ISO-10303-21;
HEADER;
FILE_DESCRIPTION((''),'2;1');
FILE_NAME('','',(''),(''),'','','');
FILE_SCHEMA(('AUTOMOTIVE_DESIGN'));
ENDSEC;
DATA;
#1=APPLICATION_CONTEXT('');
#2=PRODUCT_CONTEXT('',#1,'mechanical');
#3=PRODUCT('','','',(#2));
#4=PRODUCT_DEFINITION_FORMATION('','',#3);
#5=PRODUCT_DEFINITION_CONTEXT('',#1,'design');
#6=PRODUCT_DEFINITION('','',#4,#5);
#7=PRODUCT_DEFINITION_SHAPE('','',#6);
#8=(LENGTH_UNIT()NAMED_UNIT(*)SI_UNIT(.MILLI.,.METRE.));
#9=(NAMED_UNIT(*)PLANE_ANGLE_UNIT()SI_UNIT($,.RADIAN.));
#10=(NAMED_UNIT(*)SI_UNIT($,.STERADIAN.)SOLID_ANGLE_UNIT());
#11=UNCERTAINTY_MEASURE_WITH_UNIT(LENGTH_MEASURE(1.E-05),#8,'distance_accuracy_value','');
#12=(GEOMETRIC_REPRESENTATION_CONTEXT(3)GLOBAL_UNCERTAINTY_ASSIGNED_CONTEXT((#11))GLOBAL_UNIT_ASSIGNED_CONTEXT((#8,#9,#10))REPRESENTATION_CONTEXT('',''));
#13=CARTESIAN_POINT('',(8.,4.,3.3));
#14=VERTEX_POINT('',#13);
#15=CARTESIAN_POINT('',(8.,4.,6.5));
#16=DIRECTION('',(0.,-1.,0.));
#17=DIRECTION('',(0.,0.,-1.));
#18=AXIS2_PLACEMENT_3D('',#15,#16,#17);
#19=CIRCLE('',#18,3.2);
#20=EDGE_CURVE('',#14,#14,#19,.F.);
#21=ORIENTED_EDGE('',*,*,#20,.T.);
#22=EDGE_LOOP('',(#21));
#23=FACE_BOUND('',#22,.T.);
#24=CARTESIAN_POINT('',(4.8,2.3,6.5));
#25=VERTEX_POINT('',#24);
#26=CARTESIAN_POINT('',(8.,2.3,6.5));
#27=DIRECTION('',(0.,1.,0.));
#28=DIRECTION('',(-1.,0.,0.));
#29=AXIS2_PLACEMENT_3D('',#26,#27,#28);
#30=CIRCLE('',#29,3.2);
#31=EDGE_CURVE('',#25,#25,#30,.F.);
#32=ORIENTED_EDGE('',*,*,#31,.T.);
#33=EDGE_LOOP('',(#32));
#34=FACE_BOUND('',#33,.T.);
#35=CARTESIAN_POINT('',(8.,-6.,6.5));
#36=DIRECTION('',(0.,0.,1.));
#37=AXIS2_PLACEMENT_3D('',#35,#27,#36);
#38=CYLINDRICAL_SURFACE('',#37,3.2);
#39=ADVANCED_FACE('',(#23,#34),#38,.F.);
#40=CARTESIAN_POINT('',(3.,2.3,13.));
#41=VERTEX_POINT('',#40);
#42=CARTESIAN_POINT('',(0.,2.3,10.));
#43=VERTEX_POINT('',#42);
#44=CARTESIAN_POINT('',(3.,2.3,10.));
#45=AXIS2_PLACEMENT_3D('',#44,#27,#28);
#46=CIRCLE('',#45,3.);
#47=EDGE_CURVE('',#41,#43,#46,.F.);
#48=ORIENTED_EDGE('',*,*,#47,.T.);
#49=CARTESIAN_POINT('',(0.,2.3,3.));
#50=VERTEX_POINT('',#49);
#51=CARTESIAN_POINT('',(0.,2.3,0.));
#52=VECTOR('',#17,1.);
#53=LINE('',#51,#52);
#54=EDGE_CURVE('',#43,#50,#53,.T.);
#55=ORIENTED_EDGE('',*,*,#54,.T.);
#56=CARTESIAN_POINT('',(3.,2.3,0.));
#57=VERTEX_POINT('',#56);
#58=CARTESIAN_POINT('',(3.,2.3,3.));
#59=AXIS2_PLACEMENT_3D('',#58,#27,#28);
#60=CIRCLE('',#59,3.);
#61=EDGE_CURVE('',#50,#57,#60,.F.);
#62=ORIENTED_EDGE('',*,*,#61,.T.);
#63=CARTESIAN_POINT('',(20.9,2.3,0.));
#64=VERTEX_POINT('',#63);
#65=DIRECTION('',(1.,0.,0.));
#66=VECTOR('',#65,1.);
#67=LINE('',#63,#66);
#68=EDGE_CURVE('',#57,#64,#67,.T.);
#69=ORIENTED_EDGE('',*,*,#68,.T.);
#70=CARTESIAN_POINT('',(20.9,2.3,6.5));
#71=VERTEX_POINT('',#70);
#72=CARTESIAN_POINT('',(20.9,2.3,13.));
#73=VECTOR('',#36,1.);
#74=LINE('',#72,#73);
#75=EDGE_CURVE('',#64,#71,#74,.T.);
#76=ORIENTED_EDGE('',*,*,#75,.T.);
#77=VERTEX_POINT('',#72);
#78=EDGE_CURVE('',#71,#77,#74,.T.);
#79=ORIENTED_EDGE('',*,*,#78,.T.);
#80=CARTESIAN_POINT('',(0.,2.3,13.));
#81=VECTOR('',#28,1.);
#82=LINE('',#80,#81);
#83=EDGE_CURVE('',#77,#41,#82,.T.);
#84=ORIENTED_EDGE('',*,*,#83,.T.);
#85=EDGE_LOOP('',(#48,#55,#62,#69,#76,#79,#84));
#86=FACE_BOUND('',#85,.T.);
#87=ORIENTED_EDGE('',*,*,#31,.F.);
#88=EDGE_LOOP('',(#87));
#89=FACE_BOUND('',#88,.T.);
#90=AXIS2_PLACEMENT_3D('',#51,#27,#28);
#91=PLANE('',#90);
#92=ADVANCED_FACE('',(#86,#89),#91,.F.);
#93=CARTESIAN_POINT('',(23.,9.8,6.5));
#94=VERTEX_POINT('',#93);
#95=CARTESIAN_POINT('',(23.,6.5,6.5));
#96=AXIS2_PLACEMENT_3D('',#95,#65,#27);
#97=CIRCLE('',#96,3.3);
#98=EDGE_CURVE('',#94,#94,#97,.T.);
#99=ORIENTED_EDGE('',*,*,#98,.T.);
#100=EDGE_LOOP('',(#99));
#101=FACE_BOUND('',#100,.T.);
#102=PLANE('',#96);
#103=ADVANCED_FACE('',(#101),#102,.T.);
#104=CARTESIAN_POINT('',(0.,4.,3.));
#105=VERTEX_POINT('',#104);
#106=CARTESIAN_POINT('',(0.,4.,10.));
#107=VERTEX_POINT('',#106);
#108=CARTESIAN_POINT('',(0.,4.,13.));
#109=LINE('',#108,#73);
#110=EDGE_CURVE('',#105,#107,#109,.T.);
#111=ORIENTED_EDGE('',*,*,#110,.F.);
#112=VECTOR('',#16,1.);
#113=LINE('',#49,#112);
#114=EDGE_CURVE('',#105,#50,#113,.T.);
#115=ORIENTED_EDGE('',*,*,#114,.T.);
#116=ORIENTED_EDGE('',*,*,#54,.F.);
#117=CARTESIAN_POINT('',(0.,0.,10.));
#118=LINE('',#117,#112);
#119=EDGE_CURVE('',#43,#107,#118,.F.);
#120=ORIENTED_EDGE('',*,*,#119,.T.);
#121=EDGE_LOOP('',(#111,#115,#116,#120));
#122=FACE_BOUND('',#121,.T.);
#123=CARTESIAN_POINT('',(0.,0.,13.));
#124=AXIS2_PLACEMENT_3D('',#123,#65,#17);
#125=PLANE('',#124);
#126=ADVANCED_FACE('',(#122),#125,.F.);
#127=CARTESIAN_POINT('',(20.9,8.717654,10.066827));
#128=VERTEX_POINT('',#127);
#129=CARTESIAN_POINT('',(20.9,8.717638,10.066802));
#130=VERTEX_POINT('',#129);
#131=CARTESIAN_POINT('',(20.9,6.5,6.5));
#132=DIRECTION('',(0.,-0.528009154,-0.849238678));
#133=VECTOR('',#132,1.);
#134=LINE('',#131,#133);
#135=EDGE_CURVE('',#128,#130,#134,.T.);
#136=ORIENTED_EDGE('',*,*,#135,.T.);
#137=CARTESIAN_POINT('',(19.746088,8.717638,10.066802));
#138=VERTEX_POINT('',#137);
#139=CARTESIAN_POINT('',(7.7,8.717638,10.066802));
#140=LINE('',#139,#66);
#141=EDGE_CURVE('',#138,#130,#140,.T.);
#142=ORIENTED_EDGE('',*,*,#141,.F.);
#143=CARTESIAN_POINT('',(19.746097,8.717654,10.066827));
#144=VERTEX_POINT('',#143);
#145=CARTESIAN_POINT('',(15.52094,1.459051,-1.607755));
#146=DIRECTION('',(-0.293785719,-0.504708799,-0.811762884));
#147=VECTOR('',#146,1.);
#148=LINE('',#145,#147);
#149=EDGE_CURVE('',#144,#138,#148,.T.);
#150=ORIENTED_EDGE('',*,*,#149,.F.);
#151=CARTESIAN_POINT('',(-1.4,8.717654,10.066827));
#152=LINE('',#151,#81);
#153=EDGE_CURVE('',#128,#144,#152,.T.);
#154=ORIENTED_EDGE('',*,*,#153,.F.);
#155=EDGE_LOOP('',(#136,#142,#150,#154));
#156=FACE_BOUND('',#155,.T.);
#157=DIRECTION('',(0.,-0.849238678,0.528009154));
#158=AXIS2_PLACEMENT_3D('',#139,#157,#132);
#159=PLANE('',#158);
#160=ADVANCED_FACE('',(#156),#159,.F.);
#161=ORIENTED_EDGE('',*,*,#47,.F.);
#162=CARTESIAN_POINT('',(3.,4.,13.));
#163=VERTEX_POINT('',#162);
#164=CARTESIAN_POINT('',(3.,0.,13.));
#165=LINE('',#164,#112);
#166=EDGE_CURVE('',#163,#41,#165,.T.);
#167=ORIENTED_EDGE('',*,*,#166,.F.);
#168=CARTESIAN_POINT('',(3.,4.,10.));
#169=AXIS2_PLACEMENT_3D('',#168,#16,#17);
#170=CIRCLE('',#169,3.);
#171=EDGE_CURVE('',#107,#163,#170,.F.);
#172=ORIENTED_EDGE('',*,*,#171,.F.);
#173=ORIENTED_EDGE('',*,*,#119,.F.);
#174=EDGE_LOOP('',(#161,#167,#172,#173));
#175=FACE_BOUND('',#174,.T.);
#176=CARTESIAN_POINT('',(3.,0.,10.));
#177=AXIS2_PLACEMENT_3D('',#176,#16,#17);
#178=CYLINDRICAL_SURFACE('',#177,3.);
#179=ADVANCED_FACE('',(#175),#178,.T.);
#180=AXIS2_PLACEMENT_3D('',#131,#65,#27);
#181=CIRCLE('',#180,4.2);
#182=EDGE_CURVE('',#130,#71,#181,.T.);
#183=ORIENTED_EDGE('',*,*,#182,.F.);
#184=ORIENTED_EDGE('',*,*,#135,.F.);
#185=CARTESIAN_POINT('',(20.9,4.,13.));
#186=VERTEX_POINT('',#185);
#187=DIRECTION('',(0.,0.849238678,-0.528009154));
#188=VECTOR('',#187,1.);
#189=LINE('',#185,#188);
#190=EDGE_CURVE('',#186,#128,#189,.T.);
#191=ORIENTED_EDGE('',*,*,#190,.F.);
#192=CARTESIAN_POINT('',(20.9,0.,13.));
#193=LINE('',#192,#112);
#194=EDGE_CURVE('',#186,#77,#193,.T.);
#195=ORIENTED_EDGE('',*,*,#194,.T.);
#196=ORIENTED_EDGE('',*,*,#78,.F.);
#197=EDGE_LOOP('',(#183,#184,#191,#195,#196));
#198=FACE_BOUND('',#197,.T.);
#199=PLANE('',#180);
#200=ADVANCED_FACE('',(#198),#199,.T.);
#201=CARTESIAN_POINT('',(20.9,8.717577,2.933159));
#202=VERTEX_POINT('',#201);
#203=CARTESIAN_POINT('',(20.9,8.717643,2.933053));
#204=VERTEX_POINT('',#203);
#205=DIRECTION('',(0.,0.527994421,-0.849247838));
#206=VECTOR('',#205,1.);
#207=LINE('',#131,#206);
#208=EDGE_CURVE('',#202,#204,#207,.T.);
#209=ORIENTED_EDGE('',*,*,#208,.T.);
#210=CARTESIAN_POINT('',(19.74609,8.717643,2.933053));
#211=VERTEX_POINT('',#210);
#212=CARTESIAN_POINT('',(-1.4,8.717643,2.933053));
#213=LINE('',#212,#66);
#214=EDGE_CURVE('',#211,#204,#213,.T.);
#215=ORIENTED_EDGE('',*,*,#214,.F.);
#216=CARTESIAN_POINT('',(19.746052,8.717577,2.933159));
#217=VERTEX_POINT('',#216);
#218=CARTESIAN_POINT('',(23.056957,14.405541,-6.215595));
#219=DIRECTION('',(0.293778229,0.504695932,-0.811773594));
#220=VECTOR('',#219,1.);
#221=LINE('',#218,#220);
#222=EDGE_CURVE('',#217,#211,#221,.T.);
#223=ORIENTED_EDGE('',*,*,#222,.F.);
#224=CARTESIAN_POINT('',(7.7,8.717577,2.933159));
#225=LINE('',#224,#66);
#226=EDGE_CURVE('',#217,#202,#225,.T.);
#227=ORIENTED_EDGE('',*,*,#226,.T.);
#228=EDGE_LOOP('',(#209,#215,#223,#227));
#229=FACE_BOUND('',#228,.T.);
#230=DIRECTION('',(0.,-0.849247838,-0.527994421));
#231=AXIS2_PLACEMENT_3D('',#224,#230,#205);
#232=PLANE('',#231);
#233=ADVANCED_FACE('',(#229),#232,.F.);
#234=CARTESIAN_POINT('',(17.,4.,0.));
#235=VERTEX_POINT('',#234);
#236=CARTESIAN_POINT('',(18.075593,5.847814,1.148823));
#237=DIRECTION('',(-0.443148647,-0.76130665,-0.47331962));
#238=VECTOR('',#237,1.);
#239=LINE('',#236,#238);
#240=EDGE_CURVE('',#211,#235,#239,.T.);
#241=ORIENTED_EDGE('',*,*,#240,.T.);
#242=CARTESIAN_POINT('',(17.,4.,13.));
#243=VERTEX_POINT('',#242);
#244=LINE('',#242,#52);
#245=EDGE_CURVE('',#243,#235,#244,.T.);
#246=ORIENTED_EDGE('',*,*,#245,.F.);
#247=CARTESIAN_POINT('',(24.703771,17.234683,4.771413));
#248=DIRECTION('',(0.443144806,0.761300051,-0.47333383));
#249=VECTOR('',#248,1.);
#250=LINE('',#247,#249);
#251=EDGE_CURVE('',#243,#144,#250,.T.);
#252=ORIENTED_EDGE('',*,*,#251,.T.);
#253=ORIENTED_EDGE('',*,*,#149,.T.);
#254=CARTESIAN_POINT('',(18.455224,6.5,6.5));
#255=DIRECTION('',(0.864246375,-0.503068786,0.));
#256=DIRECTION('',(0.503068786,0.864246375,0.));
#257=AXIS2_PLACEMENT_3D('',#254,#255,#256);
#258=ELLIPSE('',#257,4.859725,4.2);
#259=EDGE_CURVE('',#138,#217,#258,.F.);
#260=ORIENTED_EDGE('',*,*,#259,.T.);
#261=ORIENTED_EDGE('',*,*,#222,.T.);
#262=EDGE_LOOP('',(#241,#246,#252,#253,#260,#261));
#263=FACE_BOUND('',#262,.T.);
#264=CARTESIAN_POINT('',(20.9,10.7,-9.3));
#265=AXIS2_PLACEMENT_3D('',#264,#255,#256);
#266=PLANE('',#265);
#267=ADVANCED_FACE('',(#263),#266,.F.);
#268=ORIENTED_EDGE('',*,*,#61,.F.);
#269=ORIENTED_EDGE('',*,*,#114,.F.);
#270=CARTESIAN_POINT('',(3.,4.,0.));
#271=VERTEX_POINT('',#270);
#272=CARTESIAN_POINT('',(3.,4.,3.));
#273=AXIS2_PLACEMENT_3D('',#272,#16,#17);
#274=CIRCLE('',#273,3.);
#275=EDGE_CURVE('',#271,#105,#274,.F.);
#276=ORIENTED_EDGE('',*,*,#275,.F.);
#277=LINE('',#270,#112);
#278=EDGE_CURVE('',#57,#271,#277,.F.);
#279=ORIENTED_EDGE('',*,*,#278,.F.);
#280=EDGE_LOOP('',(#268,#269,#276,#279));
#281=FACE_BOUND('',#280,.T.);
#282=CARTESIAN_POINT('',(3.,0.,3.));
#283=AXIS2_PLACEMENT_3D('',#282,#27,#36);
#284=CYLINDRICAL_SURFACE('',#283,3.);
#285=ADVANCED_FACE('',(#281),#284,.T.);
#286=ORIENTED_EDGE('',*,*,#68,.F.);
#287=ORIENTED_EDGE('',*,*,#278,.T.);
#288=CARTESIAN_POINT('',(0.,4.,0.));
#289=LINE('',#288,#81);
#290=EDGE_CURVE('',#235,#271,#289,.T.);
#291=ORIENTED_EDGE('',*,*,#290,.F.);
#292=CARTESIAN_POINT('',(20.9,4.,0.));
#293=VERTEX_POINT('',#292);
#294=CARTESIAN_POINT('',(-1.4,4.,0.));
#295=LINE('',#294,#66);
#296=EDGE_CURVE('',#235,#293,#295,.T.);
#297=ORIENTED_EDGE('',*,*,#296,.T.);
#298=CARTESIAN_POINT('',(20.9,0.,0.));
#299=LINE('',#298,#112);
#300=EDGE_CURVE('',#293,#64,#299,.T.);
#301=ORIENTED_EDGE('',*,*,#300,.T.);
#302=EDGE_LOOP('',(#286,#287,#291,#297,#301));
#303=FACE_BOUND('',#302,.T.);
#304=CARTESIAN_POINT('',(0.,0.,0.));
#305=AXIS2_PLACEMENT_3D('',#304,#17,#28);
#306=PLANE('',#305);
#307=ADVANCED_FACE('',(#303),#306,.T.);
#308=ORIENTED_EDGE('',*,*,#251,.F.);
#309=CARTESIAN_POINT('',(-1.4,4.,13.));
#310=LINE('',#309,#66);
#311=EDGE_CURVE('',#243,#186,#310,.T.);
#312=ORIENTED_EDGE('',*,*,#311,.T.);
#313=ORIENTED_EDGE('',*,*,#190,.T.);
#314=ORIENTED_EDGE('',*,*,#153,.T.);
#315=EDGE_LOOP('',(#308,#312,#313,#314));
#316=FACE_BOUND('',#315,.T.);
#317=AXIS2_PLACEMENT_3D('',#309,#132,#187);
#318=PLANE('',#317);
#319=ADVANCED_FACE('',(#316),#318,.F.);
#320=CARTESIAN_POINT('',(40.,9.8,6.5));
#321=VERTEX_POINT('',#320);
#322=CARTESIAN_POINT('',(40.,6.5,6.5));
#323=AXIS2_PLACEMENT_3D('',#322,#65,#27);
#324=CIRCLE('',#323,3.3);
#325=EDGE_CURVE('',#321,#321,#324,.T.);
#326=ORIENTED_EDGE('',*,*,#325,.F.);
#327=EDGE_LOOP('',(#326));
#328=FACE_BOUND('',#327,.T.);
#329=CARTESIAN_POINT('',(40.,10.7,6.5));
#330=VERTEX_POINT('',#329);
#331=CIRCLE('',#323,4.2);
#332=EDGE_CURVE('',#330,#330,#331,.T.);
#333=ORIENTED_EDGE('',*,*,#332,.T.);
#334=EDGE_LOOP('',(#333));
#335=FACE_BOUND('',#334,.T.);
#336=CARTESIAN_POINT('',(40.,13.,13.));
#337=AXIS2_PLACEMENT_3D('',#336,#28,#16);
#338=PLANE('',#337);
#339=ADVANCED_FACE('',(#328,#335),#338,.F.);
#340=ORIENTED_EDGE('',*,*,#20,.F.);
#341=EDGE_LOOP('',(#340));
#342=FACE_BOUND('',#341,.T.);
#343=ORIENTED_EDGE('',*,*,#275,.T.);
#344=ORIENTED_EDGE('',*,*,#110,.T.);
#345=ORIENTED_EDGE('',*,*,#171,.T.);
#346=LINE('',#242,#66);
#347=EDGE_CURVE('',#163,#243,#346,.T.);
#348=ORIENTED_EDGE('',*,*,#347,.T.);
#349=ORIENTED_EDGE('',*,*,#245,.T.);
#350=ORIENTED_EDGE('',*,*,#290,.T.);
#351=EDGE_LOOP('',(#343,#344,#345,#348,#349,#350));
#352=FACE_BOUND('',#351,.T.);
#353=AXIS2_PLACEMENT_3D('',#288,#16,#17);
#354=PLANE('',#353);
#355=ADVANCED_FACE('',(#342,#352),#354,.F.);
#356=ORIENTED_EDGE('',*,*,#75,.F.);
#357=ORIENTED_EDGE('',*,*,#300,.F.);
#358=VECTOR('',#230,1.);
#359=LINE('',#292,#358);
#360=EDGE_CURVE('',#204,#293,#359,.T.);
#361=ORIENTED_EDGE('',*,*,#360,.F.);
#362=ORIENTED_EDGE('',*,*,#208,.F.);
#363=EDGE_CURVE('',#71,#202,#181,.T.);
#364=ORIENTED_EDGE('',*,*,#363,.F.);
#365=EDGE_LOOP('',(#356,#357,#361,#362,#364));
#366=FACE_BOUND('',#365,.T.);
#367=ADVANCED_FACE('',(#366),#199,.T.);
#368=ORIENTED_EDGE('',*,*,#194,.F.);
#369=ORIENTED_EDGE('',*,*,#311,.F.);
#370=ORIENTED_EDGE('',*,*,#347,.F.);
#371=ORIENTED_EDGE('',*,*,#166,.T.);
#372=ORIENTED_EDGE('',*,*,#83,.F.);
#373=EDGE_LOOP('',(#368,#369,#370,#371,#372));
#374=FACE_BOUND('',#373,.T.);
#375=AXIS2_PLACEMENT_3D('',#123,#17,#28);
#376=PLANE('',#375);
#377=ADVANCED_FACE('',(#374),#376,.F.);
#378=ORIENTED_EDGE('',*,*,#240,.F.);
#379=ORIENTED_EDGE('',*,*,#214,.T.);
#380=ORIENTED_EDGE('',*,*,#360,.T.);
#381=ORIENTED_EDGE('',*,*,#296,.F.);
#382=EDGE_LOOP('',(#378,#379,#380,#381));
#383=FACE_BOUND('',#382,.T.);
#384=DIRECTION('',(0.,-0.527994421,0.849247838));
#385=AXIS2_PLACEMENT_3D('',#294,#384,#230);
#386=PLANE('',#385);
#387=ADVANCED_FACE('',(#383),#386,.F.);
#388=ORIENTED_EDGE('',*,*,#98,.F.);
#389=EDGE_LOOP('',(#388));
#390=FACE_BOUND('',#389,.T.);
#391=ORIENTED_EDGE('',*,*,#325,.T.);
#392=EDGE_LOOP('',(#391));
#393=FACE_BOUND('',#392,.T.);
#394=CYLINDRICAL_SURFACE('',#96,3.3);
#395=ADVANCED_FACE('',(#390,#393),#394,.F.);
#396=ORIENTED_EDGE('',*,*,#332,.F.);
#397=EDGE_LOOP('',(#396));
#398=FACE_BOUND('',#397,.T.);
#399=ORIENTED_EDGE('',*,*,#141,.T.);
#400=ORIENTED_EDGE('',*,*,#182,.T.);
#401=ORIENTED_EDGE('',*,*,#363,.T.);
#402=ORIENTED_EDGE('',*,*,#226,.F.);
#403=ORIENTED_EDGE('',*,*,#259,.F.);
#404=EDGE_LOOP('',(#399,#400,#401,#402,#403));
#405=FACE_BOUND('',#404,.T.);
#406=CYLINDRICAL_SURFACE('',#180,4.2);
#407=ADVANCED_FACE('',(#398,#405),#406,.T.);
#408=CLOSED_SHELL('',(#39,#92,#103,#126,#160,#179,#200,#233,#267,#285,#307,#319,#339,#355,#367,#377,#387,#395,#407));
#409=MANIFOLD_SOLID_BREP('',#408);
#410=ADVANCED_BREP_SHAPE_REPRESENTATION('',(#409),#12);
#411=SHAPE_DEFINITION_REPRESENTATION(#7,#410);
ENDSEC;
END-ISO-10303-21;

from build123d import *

# Parameters (mm, degrees)
CROQUIS1_W              = 40
CROQUIS1_H              = 13
SALIENTE_EXTRUIR1_DEPTH = 13
CROQUIS2_R              = 3.3
CORTAR_EXTRUIR1_DEPTH   = 17
CROQUIS3_R              = 3.2
CORTAR_EXTRUIR4_DEPTH   = 19
CROQUIS7_W              = 17
CROQUIS7_H              = 13
CORTAR_EXTRUIR5_DEPTH   = 9
CROQUIS8_OUTSIDE_W      = 23.804
CROQUIS8_OUTSIDE_H      = 23.804
CROQUIS8_OUTSIDE_R      = 4.2
CORTAR_EXTRUIR6_DEPTH   = 19.1
CROQUIS9_W              = 3.9
CROQUIS9_H              = 13
CORTAR_EXTRUIR7_DEPTH   = 2.3
CROQUIS10_W             = 20.9
CROQUIS10_H             = 13
CORTAR_EXTRUIR8_DEPTH   = 2.3
CORTAR_EXTRUIR9_DEPTH   = 22.3
CORTAR_EXTRUIR10_DEPTH  = 22.3
CORTAR_EXTRUIR11_DEPTH  = 22.3
CORTAR_EXTRUIR12_DEPTH  = 32.3
REDONDEO1_R             = 3


with BuildPart() as part:
    # Croquis1 → Saliente-Extruir1 (new body)
    with BuildSketch(Plane.XY):
        with Locations((20, 6.5)):
            Rectangle(CROQUIS1_W, CROQUIS1_H)
    extrude(amount=SALIENTE_EXTRUIR1_DEPTH)

    # Croquis2 → Cortar-Extruir1 (cut)
    with BuildSketch(Plane(origin=(40, 0, 0), x_dir=(0, 0, -1), z_dir=(1, 0, 0))):
        with Locations((-6.5, 6.5)):
            Circle(CROQUIS2_R)
    extrude(amount=-CORTAR_EXTRUIR1_DEPTH, mode=Mode.SUBTRACT)

    # Croquis3 → Cortar-Extruir4 (cut)
    with BuildSketch(Plane(origin=(0, 13, 0), x_dir=(1, 0, 0), z_dir=(0, 1, 0))):
        with Locations((8, -6.5)):
            Circle(CROQUIS3_R)
    extrude(amount=-CORTAR_EXTRUIR4_DEPTH, mode=Mode.SUBTRACT)

    # Croquis7 → Cortar-Extruir5 (cut)
    with BuildSketch(Plane(origin=(0, 13, 0), x_dir=(1, 0, 0), z_dir=(0, 1, 0))):
        with Locations((8.5, -6.5)):
            Rectangle(CROQUIS7_W, CROQUIS7_H)
    extrude(amount=-CORTAR_EXTRUIR5_DEPTH, mode=Mode.SUBTRACT)

    # Croquis8 outside → Cortar-Extruir6 (cut)
    with BuildSketch(Plane(origin=(40, 0, 0), x_dir=(0, 0, -1), z_dir=(1, 0, 0))):
        with Locations((-6.5, 6.5)):
            Rectangle(CROQUIS8_OUTSIDE_W, CROQUIS8_OUTSIDE_H)
        with Locations((-6.5, 6.5)):
            Circle(CROQUIS8_OUTSIDE_R, mode=Mode.SUBTRACT)
    extrude(amount=-CORTAR_EXTRUIR6_DEPTH, mode=Mode.SUBTRACT)

    # Croquis9 → Cortar-Extruir7 (cut)
    with BuildSketch(Plane(origin=(0, 13, 0), x_dir=(1, 0, 0), z_dir=(0, 1, 0))):
        with Locations((18.95, -6.5)):
            Rectangle(CROQUIS9_W, CROQUIS9_H)
    extrude(amount=-CORTAR_EXTRUIR7_DEPTH, mode=Mode.SUBTRACT)

    # Croquis10 → Cortar-Extruir8 (cut)
    with BuildSketch(Plane.XZ):
        with Locations((10.45, 6.5)):
            Rectangle(CROQUIS10_W, CROQUIS10_H)
    extrude(amount=-CORTAR_EXTRUIR8_DEPTH, mode=Mode.SUBTRACT)

    # Croquis11 → Cortar-Extruir9 (cut)
    with BuildSketch(Plane.XY.offset(13)):
        Polygon((17, 4), (17, 10.7), (20.9, 10.7), align=None)
    extrude(amount=-CORTAR_EXTRUIR9_DEPTH, mode=Mode.SUBTRACT)

    # Croquis13 → Cortar-Extruir10 (cut)
    with BuildSketch(Plane(origin=(20.9, 0, 0), x_dir=(0, 0, -1), z_dir=(1, 0, 0))):
        Polygon((-13, 4), (-13, 10.7), (-8.834314401, 10.7), align=None)
    extrude(amount=-CORTAR_EXTRUIR10_DEPTH, mode=Mode.SUBTRACT)

    # Croquis14 → Cortar-Extruir11 (cut)
    with BuildSketch(Plane(origin=(20.9, 0, 0), x_dir=(0, 0, -1), z_dir=(1, 0, 0))):
        Polygon((0, 4), (0, 10.7), (-4.165524435, 10.7), align=None)
    extrude(amount=-CORTAR_EXTRUIR11_DEPTH, mode=Mode.SUBTRACT)

    # Croquis15 → Cortar-Extruir12 (cut)
    with BuildSketch(Plane(origin=(40, 0, 0), x_dir=(0, 0, -1), z_dir=(1, 0, 0))):
        with BuildLine():
            Line((-10.06680245, 8.717638448), (-11.135301445, 9.381971415))
            ThreePointArc((-11.135301445, 9.381971415), (-6.499952655, 11.958184563), (-1.864648558, 9.381891))
            Line((-1.864648558, 9.381891), (-2.933159079, 8.717576569))
            ThreePointArc((-2.933159079, 8.717576569), (-6.499963568, 10.7), (-10.06680245, 8.717638448))
        make_face()
    extrude(amount=-CORTAR_EXTRUIR12_DEPTH, mode=Mode.SUBTRACT)

    # Redondeo1
    redondeo1_edges = [part.edges().sort_by_distance(p)[0] for p in [
        (0, 3.15, 0),
        (0, 3.15, 13),
    ]]
    fillet(redondeo1_edges, radius=REDONDEO1_R)


solid = part.part
